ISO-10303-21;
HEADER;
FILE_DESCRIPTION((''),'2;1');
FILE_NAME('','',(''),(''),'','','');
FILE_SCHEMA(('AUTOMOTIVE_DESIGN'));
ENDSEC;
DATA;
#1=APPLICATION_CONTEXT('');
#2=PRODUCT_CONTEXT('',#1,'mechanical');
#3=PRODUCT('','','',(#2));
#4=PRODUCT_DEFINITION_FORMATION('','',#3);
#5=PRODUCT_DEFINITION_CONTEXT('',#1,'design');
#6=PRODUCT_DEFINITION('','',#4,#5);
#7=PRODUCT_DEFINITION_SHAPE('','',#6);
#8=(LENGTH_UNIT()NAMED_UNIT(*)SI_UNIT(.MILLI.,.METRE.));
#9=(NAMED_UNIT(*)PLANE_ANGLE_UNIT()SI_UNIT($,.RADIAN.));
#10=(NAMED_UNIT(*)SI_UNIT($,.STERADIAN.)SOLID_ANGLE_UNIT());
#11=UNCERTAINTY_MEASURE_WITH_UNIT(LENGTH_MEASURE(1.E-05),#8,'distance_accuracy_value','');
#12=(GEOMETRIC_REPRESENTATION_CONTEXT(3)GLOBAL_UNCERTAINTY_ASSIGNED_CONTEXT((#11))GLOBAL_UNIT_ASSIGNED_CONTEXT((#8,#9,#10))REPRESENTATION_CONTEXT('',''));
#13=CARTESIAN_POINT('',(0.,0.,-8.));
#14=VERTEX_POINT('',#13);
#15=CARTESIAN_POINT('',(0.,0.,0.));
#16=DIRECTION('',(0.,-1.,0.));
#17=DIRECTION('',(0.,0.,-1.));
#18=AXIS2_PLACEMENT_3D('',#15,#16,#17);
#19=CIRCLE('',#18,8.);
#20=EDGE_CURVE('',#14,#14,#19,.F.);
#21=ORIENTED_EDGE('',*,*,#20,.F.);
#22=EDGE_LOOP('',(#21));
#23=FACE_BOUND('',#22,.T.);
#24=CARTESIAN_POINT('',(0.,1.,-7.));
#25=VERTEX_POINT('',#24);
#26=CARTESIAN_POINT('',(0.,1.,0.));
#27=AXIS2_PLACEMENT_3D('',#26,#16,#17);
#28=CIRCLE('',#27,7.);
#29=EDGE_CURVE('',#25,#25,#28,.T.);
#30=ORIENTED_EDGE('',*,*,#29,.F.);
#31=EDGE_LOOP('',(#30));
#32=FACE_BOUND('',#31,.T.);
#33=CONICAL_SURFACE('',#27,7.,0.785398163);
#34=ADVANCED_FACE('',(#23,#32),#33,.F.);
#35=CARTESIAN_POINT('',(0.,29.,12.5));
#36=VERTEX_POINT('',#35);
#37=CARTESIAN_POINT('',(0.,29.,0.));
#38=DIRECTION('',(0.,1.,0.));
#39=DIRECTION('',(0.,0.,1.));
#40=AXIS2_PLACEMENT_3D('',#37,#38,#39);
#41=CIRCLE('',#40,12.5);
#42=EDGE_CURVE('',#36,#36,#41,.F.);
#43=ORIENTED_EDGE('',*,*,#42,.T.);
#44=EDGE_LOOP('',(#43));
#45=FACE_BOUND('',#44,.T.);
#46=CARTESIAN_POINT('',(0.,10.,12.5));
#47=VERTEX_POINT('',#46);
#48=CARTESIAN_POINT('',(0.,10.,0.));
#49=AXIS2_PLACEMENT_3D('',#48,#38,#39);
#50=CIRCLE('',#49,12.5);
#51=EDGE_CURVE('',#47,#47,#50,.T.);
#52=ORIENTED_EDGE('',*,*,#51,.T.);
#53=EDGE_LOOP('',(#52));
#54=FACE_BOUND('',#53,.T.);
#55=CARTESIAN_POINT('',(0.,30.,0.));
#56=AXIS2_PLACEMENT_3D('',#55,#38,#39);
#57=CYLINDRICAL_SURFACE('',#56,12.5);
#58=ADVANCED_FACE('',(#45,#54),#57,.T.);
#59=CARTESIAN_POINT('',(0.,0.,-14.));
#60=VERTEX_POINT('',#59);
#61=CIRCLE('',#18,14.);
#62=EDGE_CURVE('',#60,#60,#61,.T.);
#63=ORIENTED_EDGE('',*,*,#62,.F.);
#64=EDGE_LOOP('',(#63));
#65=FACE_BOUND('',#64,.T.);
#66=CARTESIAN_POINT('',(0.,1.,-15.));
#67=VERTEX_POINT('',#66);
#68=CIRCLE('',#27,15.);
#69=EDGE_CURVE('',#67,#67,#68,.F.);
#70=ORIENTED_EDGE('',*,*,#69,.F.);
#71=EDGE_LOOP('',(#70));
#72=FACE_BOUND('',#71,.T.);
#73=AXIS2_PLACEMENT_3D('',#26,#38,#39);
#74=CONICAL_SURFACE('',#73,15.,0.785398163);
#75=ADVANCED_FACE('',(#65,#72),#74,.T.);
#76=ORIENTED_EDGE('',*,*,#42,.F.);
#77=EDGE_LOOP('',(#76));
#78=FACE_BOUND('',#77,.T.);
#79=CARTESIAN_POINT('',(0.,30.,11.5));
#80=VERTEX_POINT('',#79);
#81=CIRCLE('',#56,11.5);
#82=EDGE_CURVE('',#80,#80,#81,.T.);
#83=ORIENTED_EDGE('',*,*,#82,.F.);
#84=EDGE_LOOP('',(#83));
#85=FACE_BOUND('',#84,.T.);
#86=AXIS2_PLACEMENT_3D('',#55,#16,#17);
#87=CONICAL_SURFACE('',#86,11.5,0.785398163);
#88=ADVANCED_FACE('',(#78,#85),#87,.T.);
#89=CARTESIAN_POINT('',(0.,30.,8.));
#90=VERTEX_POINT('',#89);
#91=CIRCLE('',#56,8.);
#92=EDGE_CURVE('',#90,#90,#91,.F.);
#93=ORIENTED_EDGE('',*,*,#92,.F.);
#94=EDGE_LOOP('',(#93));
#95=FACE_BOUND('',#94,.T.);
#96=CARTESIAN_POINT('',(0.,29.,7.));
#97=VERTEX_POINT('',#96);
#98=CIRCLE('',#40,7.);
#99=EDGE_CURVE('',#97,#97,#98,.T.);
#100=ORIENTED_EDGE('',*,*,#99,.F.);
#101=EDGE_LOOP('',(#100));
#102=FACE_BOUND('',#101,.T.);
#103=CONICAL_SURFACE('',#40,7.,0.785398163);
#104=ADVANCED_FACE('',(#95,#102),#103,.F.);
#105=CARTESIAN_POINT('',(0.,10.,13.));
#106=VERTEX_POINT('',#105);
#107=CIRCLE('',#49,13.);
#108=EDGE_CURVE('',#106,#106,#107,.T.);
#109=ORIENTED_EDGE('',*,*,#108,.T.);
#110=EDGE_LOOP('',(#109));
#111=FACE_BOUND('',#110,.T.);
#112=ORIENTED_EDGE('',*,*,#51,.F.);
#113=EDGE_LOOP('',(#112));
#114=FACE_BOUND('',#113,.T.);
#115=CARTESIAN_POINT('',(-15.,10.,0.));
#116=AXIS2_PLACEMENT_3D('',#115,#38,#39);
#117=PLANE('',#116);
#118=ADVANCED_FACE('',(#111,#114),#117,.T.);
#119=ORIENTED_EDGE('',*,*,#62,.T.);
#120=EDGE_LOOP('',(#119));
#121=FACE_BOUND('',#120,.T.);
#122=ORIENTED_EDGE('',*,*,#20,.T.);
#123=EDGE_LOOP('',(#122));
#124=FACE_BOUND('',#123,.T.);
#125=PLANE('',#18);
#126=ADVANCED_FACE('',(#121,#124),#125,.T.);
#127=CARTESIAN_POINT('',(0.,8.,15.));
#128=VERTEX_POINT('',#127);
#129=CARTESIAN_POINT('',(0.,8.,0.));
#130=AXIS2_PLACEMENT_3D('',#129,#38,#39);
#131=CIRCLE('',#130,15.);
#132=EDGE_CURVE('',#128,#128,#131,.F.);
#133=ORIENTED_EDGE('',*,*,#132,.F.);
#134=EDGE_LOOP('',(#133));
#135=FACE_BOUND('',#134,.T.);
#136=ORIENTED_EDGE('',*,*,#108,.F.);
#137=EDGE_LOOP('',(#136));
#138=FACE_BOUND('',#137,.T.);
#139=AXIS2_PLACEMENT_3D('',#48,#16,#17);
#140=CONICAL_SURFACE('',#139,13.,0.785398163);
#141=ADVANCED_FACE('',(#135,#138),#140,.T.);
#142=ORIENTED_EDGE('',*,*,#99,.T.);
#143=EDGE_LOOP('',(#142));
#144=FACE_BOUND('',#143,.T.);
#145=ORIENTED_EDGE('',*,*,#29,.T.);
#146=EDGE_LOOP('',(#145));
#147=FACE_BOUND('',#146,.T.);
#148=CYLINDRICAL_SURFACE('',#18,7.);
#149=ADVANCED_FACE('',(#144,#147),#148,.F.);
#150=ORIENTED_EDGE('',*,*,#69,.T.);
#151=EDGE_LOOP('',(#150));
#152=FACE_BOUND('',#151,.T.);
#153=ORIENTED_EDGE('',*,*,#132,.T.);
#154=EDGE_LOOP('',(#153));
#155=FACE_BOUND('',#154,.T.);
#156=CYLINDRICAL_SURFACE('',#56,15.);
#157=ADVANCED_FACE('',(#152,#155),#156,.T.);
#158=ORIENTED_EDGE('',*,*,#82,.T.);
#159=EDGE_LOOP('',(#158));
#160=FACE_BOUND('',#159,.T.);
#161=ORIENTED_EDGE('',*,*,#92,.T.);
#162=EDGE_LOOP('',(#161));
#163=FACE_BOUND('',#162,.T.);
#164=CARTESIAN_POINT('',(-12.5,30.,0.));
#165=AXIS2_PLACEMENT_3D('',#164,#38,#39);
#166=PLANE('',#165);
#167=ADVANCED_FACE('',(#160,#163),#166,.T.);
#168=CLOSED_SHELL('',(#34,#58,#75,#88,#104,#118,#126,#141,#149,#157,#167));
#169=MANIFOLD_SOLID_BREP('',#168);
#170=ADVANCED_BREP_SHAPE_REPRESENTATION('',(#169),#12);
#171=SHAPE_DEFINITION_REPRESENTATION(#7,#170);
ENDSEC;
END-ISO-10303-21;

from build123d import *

# Parameters (mm, degrees)
CHAMFER_1_SIZE         = 1
CHAMFER_2_SIZE         = 2
HOLE_WIZARD_M161_D     = 14
HOLE_WIZARD_M161_DEPTH = 50
HOLE_WIZARD_M161_TIP   = 4.041451884
CHAMFER_3_SIZE         = 1


with BuildPart() as part:
    # Эскиз1 → Повернуть1 (revolve)
    with BuildSketch(Plane.XY):
        Polygon((0, 0), (-15, 0), (-15, 10), (-12.5, 10), (-12.5, 30), (0, 30), align=None)
    revolve(axis=Axis((0, 30, 0), (0, -1, 0)))

    # Фаска1
    chamfer_1_edges = [part.edges().sort_by_distance(p)[0] for p in [
        (12.5, 30, 0),
        (15, 0, 0),
    ]]
    chamfer(chamfer_1_edges, length=CHAMFER_1_SIZE)

    # Фаска2
    chamfer_2_edges = [part.edges().sort_by_distance(p)[0] for p in [
        (15, 10, 0),
    ]]
    chamfer(chamfer_2_edges, length=CHAMFER_2_SIZE)

    # Отверстие обработанное метчиком M161
    with Locations(Plane(origin=(0, 0, 0), x_dir=(-1, 0, 0), z_dir=(0, -1, 0))):
        with Locations((0, 0)):
            Hole(HOLE_WIZARD_M161_D / 2, depth=HOLE_WIZARD_M161_DEPTH)
            with Locations((0, 0, -(HOLE_WIZARD_M161_DEPTH + HOLE_WIZARD_M161_TIP / 2))):  # 120° drill point
                Cone(0, HOLE_WIZARD_M161_D / 2, HOLE_WIZARD_M161_TIP, mode=Mode.SUBTRACT)

    # Фаска3
    chamfer_3_edges = [part.edges().sort_by_distance(p)[0] for p in [
        (-7, 30, 0),
        (-7, 0, 0),
    ]]
    chamfer(chamfer_3_edges, length=CHAMFER_3_SIZE)


solid = part.part
